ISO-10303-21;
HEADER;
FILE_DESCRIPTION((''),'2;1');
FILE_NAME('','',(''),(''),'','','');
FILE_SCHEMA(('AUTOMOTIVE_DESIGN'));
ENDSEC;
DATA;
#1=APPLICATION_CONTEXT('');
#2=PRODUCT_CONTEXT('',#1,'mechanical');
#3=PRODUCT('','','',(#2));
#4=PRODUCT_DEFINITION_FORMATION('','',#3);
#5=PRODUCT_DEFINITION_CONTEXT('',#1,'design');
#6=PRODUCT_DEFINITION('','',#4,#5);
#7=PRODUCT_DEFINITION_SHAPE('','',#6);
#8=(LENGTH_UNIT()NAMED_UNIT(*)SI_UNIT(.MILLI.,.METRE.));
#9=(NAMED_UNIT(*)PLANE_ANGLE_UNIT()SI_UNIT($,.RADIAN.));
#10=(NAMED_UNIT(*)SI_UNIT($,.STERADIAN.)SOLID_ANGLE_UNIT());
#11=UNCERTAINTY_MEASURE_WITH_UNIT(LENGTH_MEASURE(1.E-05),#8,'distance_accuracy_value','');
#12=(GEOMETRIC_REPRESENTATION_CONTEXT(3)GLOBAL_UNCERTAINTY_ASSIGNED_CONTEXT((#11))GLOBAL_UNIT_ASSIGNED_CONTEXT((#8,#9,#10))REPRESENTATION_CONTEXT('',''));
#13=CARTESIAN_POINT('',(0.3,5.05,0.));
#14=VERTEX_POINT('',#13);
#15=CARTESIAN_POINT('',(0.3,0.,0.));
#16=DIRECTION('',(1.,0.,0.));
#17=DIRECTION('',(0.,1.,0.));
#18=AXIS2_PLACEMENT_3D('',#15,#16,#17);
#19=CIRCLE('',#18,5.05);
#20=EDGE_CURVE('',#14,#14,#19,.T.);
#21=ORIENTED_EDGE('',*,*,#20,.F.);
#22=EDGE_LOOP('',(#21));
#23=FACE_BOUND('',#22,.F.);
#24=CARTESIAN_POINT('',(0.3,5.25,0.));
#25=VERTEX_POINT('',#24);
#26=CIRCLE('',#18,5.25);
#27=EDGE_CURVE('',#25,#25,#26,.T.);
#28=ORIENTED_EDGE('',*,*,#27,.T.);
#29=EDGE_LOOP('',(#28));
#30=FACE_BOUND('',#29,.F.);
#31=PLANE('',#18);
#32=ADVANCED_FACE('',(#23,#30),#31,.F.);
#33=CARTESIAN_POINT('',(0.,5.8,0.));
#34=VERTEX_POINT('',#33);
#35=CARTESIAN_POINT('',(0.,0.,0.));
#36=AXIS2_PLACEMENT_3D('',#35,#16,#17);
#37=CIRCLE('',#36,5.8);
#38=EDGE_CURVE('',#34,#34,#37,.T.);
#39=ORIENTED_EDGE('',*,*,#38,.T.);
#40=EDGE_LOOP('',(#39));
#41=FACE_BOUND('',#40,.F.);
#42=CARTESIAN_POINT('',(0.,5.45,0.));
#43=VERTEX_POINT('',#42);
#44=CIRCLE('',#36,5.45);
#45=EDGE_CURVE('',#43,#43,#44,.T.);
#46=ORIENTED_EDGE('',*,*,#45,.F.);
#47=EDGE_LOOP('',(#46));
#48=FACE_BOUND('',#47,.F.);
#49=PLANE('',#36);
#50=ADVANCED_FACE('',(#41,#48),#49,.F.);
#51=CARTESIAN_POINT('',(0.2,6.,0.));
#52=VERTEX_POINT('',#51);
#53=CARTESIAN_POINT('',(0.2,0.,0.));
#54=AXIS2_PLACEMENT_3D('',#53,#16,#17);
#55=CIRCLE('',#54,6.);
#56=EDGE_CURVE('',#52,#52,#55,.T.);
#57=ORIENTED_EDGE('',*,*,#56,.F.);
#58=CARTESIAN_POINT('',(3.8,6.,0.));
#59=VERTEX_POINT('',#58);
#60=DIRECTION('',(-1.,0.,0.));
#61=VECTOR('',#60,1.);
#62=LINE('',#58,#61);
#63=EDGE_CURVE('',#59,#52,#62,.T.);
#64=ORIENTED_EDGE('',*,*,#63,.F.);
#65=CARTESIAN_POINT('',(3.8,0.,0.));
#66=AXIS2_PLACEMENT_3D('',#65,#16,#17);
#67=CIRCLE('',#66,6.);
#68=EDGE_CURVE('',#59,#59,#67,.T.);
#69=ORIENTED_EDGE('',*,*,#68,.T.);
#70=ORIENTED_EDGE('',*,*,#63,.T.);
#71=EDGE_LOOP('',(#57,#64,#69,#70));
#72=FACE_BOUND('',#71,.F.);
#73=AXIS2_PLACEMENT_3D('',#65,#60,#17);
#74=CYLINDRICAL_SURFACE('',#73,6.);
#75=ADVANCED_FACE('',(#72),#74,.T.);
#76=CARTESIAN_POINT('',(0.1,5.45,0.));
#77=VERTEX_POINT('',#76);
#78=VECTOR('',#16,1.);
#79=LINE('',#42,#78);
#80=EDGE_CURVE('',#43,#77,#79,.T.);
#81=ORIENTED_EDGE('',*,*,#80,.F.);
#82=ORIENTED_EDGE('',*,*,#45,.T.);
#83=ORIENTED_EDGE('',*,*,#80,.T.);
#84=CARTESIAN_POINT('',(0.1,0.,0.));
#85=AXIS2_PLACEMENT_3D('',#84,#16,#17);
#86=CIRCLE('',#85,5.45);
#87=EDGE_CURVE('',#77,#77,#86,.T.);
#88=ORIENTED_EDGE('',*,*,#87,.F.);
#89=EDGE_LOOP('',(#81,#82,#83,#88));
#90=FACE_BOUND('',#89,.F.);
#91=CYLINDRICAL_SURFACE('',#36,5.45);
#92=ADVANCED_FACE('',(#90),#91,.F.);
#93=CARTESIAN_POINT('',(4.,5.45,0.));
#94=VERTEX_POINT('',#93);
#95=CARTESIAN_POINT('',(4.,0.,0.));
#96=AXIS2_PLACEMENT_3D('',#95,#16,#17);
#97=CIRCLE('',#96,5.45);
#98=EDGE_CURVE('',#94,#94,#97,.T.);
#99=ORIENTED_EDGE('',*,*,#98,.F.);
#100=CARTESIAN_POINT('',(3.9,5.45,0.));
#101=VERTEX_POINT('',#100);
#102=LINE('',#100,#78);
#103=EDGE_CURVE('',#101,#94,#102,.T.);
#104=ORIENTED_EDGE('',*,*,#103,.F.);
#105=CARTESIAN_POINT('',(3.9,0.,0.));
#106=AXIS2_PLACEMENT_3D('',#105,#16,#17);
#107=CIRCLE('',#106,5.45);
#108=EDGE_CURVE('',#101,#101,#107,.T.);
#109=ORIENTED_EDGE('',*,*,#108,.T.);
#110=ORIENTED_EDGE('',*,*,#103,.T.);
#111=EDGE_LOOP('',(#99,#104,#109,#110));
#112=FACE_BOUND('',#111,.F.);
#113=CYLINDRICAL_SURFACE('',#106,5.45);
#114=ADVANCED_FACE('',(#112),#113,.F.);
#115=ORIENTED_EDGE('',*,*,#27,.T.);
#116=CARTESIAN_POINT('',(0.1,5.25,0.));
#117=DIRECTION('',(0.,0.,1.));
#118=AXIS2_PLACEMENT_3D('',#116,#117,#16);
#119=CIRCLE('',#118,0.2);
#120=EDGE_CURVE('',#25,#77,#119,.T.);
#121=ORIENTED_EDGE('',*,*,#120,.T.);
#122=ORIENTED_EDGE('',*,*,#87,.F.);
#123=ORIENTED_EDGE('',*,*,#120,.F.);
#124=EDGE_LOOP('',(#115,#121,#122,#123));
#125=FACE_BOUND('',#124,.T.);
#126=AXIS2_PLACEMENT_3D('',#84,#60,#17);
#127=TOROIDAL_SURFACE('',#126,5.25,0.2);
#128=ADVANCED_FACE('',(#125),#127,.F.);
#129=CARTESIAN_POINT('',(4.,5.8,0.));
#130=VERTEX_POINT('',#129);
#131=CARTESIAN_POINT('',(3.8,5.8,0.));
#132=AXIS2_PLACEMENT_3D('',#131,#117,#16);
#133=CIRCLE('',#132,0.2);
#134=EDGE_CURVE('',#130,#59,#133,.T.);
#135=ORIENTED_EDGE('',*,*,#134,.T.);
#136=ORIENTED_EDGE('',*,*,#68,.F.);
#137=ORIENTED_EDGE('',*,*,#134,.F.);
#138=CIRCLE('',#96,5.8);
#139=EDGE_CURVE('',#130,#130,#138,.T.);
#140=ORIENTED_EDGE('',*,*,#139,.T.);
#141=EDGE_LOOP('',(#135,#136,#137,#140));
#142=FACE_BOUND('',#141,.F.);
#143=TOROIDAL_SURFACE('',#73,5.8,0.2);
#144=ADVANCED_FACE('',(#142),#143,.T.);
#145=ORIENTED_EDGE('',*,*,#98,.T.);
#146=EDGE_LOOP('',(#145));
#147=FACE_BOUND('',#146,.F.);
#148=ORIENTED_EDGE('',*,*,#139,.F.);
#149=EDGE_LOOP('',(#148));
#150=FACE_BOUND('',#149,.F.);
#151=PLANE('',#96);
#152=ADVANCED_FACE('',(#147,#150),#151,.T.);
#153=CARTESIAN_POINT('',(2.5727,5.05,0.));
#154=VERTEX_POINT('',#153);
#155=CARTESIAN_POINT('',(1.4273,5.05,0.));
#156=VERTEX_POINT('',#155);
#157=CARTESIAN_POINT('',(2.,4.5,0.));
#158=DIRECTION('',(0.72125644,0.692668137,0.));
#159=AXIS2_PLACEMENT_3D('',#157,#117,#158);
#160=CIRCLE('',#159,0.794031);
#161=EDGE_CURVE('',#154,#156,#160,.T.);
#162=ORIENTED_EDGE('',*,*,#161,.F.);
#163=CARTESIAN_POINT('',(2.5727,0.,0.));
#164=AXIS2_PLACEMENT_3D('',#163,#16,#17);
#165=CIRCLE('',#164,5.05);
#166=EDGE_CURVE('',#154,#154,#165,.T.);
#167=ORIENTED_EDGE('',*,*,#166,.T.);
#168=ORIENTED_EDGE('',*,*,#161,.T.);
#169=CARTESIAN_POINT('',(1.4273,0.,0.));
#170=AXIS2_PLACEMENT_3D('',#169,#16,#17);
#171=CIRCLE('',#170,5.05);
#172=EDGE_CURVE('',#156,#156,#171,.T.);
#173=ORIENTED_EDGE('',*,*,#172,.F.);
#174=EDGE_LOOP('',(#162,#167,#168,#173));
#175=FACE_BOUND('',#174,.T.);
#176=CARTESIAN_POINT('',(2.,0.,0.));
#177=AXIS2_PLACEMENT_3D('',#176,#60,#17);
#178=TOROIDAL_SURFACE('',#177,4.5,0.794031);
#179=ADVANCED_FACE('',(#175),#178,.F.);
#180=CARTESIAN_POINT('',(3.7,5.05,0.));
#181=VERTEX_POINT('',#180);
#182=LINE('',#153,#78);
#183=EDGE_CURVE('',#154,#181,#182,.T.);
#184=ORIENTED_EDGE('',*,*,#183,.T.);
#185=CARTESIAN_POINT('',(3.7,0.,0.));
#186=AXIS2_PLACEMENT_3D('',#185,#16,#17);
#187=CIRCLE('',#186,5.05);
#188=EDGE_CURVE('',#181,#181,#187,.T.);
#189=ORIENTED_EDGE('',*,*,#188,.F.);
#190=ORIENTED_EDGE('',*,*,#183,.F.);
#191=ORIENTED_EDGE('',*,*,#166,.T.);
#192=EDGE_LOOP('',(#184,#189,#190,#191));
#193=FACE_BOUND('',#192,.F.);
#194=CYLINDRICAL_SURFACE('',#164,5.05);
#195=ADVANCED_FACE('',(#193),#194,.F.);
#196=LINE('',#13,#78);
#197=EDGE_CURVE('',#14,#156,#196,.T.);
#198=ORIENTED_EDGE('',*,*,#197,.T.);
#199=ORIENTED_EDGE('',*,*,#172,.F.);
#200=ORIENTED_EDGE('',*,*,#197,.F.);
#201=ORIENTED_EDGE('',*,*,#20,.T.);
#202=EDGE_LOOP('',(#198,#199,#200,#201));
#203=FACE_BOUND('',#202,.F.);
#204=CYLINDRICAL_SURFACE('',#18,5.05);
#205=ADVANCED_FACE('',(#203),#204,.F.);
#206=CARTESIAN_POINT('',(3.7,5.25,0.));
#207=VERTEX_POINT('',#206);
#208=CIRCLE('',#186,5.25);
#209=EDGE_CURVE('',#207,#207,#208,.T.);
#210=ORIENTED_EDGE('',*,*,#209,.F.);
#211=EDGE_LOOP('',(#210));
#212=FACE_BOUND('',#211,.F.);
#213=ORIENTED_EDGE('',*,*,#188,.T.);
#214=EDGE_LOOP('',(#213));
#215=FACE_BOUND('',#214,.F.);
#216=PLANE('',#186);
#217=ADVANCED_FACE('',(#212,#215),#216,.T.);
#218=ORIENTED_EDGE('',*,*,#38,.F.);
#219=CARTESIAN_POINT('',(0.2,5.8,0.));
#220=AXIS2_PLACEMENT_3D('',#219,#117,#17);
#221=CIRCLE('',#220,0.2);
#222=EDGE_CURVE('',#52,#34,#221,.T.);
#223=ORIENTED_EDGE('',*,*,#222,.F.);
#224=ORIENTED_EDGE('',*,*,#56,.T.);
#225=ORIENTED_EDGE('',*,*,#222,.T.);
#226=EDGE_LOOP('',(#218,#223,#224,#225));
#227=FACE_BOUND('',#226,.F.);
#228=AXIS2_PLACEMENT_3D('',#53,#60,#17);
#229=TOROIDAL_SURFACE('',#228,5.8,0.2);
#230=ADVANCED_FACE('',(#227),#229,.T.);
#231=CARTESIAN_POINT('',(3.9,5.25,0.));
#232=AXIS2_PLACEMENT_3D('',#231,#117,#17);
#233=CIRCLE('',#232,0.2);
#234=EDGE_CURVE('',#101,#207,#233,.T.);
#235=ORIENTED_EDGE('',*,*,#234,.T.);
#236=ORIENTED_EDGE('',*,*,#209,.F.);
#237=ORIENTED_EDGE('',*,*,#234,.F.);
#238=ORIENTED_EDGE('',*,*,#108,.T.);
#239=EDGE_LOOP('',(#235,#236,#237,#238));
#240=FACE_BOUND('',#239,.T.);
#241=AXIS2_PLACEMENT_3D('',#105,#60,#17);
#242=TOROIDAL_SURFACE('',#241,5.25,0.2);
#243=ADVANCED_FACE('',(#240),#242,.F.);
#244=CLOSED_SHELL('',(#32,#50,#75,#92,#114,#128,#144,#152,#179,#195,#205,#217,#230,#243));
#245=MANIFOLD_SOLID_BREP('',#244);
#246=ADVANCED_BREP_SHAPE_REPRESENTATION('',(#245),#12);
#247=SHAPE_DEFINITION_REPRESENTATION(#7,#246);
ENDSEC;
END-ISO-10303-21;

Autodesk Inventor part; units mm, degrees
ref_plane "YZ Plane" through (0, 0, 0) normal (1, 0, 0) x (0, 1, 0)
ref_plane "XZ Plane" through (0, 0, 0) normal (0, 1, 0) x (-1, 0, 0)
ref_plane "XY Plane" through (0, 0, 0) normal (0, 0, 1) x (1, 0, 0)
sketch "Sketch_9" plane through (0, 0, 0) normal (0, 0, 1) x (1, 0, 0)
  line L0 (50, 0) -> (-50, 0)
  line L1 (0, 5.8) -> (0, 5.45)
  line L2 (0, 5.45) -> (0.1, 5.45)
  arc A0 (0.3, 5.25) -> (0.1, 5.45) centre (0.1, 5.25) ccw
  line L3 (0.3, 5.25) -> (0.3, 5.05)
  line L4 (0.3, 5.05) -> (1.4273, 5.05)
  arc A1 (2.5727, 5.05) -> (1.4273, 5.05) centre (2, 4.5) ccw
  line L5 (2.5727, 5.05) -> (3.7, 5.05)
  line L6 (3.7, 5.05) -> (3.7, 5.25)
  arc A2 (3.9, 5.45) -> (3.7, 5.25) centre (3.9, 5.25) ccw
  line L7 (3.9, 5.45) -> (4, 5.45)
  line L8 (4, 5.45) -> (4, 5.8)
  arc A3 (4, 5.8) -> (3.8, 6) centre (3.8, 5.8) ccw
  line L9 (3.8, 6) -> (0.2, 6)
  arc A4 (0.2, 6) -> (0, 5.8) centre (0.2, 5.8) ccw
revolve "Revolution1" add sketch "Sketch_9" angle 360 about axis through (50, 0, 0) along (1, 0, 0)
properties part number "SKF_WBB1-8706-2RS1_PART2"
